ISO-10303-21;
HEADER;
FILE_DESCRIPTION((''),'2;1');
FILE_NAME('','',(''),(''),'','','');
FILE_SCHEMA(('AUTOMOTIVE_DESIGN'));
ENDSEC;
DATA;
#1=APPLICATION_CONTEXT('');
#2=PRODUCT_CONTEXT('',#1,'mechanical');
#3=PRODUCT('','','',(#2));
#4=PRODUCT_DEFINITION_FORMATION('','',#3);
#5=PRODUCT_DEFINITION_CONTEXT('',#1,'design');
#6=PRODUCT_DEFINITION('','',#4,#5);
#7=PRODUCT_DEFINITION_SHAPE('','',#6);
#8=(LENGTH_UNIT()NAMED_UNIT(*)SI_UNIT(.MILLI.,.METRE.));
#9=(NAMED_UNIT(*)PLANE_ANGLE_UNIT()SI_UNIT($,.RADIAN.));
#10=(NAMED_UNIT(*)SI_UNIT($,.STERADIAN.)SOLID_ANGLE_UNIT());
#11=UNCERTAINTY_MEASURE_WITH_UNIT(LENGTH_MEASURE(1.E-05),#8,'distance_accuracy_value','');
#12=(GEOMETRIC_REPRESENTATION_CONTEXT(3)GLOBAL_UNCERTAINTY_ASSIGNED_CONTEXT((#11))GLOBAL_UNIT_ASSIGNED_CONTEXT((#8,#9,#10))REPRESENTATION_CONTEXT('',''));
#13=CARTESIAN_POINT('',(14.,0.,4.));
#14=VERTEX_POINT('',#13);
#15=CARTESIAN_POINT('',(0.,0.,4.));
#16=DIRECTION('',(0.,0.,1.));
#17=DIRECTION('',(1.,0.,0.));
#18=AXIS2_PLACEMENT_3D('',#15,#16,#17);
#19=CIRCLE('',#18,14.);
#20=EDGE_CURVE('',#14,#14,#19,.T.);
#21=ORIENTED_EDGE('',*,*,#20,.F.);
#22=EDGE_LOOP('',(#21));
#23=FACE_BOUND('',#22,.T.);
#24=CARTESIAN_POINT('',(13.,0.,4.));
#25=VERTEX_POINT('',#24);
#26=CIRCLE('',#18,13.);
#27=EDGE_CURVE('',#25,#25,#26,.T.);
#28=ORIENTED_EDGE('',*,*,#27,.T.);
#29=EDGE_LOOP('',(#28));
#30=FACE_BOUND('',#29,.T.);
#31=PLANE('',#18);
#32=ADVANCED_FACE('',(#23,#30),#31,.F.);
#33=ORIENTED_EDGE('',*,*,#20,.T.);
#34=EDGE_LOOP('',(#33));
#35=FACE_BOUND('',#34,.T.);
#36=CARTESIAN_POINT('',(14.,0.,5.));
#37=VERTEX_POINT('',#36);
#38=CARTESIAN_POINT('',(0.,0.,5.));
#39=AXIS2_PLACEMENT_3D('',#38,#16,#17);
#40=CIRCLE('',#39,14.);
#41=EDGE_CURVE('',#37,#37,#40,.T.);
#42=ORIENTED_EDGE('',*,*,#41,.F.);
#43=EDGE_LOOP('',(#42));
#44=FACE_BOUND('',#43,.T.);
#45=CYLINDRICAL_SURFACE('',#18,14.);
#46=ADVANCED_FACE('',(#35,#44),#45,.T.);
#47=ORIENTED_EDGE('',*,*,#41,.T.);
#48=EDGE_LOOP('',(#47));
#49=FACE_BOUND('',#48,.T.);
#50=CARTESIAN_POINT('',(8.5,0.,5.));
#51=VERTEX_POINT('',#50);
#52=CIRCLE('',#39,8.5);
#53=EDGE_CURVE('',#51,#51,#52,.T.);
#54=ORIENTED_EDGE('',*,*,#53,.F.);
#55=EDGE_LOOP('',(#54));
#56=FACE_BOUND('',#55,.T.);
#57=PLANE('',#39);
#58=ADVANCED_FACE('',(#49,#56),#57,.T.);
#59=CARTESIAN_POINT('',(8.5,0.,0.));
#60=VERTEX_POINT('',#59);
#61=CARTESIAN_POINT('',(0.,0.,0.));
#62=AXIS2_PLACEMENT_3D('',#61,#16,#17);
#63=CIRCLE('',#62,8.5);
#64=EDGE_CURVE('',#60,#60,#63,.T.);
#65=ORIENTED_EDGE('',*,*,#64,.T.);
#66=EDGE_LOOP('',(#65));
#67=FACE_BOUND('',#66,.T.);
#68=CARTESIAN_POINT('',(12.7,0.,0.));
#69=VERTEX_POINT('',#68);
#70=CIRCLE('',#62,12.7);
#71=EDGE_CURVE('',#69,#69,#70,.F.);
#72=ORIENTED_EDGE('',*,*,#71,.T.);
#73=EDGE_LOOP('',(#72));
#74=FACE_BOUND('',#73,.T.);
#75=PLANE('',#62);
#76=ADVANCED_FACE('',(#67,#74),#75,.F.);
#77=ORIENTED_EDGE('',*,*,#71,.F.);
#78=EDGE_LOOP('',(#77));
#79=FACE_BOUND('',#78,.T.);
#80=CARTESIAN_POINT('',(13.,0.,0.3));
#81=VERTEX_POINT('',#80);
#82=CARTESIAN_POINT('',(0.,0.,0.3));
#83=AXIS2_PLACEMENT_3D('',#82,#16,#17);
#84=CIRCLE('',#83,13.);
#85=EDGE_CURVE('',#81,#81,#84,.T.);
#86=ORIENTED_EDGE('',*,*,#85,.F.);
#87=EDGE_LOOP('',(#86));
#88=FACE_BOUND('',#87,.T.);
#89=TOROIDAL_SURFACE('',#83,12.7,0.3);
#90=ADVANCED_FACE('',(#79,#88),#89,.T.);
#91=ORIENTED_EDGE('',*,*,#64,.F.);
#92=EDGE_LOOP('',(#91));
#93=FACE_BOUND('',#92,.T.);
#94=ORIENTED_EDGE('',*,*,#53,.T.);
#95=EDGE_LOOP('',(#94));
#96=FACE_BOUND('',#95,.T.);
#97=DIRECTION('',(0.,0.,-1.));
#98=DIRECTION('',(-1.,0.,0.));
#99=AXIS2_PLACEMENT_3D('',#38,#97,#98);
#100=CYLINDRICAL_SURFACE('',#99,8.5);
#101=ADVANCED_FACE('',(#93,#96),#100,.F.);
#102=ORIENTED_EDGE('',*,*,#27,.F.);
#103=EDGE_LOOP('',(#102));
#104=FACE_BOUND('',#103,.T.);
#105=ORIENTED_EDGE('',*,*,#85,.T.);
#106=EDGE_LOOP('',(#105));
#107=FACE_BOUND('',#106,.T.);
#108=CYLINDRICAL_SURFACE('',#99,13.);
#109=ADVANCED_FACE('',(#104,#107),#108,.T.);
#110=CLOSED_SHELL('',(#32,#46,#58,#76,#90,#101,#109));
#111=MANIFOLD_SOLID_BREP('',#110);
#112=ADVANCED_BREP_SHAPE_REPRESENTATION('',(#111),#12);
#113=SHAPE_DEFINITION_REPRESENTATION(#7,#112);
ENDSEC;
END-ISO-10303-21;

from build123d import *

# Parameters (mm, degrees)
SKETCH_1_R      = 13
SKETCH_1_R_2    = 8.5
EXTRUDE_1_DEPTH = 5
SKETCH_2_R      = 14
SKETCH_2_R_2    = 13
EXTRUDE_2_DEPTH = 1
FILLET_1_R      = 0.3


with BuildPart() as part:
    # 草图1 → 凸台-拉伸1 (new body)
    with BuildSketch(Plane.XY):
        Circle(SKETCH_1_R)
        Circle(SKETCH_1_R_2, mode=Mode.SUBTRACT)
    extrude(amount=EXTRUDE_1_DEPTH)

    # 草图2 → 凸台-拉伸2 (add)
    with BuildSketch(Plane.XY.offset(5)):
        Circle(SKETCH_2_R)
        Circle(SKETCH_2_R_2, mode=Mode.SUBTRACT)
    extrude(amount=-EXTRUDE_2_DEPTH)

    # 圆角1
    fillet_1_edges = [part.edges().sort_by_distance(p)[0] for p in [
        (-13, 0, 0),
    ]]
    fillet(fillet_1_edges, radius=FILLET_1_R)


solid = part.part
